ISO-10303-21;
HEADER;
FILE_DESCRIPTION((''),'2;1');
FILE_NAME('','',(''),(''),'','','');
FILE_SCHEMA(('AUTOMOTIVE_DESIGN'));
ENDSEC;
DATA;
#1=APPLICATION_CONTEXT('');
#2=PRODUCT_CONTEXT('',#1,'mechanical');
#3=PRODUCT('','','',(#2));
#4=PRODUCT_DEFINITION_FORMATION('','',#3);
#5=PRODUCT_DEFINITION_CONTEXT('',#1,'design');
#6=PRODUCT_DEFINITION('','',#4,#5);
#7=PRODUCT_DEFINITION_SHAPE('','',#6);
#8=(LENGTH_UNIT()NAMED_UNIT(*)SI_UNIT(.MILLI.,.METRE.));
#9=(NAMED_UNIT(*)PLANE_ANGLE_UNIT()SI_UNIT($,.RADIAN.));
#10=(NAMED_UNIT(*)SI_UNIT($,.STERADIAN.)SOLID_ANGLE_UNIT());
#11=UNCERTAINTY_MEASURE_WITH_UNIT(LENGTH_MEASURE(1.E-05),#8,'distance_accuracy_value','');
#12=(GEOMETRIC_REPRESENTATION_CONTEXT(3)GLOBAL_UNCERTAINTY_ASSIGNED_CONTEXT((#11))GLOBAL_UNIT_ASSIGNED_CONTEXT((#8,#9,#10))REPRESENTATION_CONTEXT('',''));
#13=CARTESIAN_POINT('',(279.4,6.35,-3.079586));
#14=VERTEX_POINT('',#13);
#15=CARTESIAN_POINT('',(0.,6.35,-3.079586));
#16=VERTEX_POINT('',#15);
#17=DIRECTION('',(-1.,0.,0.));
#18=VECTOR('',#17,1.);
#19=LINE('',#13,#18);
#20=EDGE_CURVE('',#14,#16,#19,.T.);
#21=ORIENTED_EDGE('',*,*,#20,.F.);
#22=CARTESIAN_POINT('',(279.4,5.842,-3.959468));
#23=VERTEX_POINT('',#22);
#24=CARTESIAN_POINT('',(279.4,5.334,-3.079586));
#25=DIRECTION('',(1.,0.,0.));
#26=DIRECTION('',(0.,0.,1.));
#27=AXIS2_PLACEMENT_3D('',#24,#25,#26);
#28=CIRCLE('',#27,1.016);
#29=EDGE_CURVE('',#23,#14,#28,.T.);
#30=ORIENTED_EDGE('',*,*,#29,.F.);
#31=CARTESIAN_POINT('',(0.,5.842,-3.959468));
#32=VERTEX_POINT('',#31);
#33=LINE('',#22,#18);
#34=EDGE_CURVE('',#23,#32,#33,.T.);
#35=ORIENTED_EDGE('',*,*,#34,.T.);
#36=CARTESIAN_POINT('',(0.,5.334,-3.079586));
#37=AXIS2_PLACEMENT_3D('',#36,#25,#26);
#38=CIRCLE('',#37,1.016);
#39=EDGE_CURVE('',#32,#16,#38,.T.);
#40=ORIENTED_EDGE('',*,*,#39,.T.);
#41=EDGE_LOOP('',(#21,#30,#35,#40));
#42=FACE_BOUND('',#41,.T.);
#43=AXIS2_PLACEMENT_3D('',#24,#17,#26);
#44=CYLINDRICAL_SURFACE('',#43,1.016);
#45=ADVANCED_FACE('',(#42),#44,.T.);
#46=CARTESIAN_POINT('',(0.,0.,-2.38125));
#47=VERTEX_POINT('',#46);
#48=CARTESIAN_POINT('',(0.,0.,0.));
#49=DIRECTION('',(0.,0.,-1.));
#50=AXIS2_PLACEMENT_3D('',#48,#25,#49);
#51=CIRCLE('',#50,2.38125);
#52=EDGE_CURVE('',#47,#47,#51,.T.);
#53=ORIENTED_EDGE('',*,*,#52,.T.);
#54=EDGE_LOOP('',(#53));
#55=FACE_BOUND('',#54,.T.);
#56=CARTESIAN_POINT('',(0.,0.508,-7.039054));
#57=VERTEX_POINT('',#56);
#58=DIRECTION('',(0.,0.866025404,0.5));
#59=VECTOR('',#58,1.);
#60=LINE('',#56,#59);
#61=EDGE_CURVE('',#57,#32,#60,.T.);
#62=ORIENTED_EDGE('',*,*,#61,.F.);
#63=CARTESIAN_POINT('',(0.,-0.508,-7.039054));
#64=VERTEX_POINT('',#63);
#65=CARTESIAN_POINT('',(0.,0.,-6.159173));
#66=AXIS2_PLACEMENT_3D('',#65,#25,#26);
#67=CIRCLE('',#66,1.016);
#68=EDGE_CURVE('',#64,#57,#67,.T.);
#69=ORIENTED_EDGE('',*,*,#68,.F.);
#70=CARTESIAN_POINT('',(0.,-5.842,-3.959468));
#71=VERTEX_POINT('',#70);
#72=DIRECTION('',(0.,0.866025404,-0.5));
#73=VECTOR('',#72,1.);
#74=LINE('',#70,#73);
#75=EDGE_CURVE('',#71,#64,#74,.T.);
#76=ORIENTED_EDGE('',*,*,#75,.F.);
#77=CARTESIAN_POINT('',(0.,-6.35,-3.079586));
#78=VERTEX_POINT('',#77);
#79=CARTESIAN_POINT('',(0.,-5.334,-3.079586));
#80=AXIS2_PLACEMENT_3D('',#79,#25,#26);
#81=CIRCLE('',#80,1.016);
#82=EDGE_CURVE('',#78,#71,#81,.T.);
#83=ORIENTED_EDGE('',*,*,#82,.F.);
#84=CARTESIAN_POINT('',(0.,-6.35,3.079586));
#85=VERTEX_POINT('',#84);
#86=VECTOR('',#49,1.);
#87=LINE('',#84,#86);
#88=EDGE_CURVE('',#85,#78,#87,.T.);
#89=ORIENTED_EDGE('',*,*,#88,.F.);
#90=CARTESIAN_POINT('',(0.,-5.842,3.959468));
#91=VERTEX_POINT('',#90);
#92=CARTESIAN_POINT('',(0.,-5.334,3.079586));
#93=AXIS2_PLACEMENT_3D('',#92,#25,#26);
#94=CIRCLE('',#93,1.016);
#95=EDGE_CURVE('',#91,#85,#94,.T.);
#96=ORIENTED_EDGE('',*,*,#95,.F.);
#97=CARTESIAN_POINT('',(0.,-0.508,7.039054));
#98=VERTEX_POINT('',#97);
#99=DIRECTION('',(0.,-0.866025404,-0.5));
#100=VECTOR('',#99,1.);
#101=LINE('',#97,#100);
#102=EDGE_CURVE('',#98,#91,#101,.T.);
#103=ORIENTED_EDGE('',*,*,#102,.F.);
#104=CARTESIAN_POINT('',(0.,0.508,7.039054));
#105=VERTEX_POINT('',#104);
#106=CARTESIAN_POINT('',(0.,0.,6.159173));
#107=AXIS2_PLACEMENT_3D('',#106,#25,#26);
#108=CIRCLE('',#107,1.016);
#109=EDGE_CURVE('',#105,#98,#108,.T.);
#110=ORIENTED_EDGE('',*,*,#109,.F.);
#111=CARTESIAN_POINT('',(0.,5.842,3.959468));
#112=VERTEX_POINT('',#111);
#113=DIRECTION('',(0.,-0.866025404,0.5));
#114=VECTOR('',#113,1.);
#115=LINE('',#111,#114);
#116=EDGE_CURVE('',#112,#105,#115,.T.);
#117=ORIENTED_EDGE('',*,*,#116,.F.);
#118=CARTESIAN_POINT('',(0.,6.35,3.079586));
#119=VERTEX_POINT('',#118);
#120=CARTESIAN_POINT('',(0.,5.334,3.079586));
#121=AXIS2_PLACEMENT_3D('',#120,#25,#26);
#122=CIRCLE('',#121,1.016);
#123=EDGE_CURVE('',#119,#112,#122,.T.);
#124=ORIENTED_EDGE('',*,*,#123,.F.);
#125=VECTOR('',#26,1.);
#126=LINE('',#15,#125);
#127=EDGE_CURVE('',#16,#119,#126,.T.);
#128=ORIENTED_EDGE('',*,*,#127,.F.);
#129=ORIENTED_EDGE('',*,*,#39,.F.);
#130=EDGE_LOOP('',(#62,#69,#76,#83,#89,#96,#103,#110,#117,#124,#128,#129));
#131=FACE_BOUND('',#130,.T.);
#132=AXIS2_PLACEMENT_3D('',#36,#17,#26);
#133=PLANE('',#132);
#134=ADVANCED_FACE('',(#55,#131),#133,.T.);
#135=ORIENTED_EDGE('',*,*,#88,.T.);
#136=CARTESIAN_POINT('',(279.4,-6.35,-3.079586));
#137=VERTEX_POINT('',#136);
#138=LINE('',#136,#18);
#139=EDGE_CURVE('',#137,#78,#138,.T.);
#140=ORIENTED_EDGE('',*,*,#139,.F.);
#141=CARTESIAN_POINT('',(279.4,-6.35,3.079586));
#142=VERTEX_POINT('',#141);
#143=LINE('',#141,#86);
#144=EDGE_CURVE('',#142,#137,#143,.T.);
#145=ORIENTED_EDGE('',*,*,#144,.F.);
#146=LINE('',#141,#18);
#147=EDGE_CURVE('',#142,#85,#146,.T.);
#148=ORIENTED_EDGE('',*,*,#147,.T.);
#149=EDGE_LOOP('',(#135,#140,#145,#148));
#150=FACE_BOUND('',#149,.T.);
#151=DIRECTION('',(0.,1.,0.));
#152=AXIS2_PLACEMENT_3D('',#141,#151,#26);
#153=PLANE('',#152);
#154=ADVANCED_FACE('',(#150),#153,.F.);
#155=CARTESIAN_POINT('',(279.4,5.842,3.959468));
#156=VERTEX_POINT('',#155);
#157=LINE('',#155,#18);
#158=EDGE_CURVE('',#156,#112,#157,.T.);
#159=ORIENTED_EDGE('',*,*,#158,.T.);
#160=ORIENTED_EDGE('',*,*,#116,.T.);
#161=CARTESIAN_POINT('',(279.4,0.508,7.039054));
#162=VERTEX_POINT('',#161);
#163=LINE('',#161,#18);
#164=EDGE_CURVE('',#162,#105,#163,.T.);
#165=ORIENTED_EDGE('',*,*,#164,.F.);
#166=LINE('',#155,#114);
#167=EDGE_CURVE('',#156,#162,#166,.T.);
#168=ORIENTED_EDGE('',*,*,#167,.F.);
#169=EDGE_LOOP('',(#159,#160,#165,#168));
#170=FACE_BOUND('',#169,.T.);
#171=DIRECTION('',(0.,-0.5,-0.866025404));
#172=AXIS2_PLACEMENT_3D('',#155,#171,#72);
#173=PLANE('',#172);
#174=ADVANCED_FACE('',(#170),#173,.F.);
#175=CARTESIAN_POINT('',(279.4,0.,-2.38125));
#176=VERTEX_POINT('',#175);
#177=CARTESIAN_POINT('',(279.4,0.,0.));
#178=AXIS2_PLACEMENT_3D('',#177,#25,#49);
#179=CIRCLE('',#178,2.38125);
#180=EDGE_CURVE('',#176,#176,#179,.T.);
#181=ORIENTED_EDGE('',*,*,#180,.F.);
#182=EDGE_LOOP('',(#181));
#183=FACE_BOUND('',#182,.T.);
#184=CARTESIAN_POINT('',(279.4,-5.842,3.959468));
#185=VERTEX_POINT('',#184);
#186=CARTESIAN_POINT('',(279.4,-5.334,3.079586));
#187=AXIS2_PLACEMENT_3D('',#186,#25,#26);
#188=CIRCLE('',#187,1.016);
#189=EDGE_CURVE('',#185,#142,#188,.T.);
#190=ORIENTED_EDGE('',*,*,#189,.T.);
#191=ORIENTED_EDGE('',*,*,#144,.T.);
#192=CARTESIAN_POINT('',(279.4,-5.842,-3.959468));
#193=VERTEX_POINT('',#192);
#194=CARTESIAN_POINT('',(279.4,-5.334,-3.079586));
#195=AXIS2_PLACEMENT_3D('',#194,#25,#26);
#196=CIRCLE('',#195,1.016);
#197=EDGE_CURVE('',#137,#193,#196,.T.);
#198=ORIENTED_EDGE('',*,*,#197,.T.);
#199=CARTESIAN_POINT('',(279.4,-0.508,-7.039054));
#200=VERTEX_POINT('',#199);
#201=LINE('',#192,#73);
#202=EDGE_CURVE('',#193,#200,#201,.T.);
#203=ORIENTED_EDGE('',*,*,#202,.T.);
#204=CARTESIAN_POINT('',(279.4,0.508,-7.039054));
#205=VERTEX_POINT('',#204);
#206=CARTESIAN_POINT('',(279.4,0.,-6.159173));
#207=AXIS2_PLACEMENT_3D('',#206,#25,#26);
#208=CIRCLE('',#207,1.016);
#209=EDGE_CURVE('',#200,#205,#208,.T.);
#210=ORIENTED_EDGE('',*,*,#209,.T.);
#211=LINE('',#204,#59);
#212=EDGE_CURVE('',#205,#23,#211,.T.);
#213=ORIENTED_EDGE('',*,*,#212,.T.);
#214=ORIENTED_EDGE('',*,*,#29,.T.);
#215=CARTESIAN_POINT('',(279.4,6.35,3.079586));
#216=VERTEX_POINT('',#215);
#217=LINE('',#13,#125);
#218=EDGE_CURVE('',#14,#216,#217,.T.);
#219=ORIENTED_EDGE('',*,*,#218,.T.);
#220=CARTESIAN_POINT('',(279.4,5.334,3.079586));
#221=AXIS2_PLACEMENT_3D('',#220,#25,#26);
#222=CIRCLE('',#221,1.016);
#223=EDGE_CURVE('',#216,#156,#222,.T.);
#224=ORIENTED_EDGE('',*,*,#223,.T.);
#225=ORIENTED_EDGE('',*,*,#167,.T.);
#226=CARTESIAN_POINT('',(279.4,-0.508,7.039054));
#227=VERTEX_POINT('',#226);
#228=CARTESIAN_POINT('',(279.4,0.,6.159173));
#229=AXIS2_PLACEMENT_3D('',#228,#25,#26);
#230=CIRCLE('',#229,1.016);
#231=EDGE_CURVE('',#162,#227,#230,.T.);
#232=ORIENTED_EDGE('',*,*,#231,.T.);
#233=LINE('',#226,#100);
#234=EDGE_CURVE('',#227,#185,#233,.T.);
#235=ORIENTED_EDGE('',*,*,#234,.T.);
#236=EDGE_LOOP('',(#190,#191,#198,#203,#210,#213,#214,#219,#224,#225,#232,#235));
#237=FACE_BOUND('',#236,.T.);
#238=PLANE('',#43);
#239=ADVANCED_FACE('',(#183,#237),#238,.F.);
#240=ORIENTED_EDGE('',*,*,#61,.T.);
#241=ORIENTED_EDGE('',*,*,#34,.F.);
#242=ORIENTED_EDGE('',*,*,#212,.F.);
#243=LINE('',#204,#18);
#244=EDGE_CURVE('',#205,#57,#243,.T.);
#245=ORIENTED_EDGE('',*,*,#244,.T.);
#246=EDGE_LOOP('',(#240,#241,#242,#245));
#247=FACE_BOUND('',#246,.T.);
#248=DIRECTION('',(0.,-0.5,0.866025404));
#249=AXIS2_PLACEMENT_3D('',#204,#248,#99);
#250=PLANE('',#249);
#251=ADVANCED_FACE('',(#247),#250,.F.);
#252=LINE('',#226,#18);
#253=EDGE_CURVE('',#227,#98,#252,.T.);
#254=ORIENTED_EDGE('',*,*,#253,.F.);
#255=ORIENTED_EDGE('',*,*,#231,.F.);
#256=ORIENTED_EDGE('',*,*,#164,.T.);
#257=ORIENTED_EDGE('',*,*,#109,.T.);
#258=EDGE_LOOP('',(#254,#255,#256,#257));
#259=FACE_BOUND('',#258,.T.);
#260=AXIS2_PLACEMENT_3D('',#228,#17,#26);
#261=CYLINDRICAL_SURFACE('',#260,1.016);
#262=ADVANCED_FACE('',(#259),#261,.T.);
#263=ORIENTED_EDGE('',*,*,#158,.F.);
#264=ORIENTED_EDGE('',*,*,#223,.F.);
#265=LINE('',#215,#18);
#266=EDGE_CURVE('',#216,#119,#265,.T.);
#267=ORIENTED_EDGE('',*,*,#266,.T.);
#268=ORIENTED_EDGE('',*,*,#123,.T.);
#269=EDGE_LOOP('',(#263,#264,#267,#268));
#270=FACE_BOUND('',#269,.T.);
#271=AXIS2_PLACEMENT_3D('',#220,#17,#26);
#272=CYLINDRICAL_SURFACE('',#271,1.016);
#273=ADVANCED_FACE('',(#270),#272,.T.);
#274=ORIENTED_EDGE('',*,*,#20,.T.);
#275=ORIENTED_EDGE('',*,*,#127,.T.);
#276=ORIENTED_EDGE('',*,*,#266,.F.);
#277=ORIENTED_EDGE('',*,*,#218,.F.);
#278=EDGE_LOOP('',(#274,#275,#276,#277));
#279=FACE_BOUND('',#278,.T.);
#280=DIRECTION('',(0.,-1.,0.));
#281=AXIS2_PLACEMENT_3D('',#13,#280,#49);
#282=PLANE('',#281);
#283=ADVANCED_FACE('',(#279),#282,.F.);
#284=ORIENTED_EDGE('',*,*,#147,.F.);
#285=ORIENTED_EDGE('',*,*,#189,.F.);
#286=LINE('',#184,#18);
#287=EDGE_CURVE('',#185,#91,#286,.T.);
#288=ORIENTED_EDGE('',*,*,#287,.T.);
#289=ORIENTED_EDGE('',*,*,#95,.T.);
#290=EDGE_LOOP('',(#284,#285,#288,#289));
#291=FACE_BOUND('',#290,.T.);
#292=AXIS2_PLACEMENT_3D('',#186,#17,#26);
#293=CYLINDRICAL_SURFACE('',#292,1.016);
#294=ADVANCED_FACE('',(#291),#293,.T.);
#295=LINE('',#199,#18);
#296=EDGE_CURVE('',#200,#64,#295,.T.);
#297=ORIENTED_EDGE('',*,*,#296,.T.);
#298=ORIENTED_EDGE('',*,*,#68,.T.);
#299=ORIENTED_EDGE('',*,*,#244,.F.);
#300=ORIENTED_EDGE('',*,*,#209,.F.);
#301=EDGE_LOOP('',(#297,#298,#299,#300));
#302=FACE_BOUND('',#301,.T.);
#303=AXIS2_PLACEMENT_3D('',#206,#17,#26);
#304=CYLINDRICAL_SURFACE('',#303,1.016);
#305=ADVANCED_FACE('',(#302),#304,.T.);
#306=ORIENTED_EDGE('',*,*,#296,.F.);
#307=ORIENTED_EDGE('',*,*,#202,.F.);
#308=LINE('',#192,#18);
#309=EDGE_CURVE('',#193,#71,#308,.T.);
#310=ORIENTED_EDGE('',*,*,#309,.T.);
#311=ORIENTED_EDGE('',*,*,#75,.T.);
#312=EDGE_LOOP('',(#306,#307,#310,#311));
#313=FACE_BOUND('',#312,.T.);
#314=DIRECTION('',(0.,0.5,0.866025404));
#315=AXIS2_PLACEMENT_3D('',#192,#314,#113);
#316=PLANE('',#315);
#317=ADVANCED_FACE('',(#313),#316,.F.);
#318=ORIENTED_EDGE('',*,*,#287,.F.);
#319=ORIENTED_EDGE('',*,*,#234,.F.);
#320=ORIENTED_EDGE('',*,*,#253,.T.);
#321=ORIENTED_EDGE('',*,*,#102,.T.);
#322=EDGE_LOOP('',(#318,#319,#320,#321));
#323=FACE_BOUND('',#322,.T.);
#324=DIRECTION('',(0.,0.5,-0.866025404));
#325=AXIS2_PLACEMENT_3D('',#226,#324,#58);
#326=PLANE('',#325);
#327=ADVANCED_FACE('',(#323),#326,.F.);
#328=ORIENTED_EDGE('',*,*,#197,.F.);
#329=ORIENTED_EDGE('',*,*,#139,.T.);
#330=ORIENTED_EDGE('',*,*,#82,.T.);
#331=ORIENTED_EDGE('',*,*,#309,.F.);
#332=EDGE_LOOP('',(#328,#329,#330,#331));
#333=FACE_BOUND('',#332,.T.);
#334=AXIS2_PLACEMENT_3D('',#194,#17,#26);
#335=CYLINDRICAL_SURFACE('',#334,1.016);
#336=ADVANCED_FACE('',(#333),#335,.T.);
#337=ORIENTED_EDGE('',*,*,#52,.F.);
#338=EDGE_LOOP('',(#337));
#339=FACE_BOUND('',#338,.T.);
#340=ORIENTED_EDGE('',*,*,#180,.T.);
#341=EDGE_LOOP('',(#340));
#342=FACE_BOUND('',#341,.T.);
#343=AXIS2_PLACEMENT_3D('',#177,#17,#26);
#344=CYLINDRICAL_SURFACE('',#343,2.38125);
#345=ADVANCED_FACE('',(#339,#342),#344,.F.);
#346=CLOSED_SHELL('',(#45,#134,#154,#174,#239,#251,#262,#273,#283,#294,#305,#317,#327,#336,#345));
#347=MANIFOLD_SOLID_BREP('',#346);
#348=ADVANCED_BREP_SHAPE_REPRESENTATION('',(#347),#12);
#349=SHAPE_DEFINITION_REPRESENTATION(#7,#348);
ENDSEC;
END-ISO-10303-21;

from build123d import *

# Parameters (mm, degrees)
SKETCH1_R           = 2.38125
BOSS_EXTRUDE1_DEPTH = 279.4


with BuildPart() as part:
    # Sketch1 → Boss-Extrude1 (new body)
    with BuildSketch(Plane(origin=(0, 0, 0), x_dir=(0, 0, -1), z_dir=(1, 0, 0))):
        with BuildLine():
            Line((7.039054482, 0.508), (3.959468146, 5.842))
            ThreePointArc((3.959468146, 5.842), (3.587586336, 6.21388181), (3.079586336, 6.35))
            Line((3.079586336, 6.35), (-3.079586336, 6.35))
            ThreePointArc((-3.079586336, 6.35), (-3.587586336, 6.21388181), (-3.959468146, 5.842))
            Line((-3.959468146, 5.842), (-7.039054482, 0.508))
            ThreePointArc((-7.039054482, 0.508), (-7.175172672, 0), (-7.039054482, -0.508))
            Line((-7.039054482, -0.508), (-3.959468146, -5.842))
            ThreePointArc((-3.959468146, -5.842), (-3.587586336, -6.21388181), (-3.079586336, -6.35))
            Line((-3.079586336, -6.35), (3.079586336, -6.35))
            ThreePointArc((3.079586336, -6.35), (3.587586336, -6.21388181), (3.959468146, -5.842))
            Line((3.959468146, -5.842), (7.039054482, -0.508))
            ThreePointArc((7.039054482, -0.508), (7.175172672, 0), (7.039054482, 0.508))
        make_face()
        Circle(SKETCH1_R, mode=Mode.SUBTRACT)
    extrude(amount=BOSS_EXTRUDE1_DEPTH)


solid = part.part
